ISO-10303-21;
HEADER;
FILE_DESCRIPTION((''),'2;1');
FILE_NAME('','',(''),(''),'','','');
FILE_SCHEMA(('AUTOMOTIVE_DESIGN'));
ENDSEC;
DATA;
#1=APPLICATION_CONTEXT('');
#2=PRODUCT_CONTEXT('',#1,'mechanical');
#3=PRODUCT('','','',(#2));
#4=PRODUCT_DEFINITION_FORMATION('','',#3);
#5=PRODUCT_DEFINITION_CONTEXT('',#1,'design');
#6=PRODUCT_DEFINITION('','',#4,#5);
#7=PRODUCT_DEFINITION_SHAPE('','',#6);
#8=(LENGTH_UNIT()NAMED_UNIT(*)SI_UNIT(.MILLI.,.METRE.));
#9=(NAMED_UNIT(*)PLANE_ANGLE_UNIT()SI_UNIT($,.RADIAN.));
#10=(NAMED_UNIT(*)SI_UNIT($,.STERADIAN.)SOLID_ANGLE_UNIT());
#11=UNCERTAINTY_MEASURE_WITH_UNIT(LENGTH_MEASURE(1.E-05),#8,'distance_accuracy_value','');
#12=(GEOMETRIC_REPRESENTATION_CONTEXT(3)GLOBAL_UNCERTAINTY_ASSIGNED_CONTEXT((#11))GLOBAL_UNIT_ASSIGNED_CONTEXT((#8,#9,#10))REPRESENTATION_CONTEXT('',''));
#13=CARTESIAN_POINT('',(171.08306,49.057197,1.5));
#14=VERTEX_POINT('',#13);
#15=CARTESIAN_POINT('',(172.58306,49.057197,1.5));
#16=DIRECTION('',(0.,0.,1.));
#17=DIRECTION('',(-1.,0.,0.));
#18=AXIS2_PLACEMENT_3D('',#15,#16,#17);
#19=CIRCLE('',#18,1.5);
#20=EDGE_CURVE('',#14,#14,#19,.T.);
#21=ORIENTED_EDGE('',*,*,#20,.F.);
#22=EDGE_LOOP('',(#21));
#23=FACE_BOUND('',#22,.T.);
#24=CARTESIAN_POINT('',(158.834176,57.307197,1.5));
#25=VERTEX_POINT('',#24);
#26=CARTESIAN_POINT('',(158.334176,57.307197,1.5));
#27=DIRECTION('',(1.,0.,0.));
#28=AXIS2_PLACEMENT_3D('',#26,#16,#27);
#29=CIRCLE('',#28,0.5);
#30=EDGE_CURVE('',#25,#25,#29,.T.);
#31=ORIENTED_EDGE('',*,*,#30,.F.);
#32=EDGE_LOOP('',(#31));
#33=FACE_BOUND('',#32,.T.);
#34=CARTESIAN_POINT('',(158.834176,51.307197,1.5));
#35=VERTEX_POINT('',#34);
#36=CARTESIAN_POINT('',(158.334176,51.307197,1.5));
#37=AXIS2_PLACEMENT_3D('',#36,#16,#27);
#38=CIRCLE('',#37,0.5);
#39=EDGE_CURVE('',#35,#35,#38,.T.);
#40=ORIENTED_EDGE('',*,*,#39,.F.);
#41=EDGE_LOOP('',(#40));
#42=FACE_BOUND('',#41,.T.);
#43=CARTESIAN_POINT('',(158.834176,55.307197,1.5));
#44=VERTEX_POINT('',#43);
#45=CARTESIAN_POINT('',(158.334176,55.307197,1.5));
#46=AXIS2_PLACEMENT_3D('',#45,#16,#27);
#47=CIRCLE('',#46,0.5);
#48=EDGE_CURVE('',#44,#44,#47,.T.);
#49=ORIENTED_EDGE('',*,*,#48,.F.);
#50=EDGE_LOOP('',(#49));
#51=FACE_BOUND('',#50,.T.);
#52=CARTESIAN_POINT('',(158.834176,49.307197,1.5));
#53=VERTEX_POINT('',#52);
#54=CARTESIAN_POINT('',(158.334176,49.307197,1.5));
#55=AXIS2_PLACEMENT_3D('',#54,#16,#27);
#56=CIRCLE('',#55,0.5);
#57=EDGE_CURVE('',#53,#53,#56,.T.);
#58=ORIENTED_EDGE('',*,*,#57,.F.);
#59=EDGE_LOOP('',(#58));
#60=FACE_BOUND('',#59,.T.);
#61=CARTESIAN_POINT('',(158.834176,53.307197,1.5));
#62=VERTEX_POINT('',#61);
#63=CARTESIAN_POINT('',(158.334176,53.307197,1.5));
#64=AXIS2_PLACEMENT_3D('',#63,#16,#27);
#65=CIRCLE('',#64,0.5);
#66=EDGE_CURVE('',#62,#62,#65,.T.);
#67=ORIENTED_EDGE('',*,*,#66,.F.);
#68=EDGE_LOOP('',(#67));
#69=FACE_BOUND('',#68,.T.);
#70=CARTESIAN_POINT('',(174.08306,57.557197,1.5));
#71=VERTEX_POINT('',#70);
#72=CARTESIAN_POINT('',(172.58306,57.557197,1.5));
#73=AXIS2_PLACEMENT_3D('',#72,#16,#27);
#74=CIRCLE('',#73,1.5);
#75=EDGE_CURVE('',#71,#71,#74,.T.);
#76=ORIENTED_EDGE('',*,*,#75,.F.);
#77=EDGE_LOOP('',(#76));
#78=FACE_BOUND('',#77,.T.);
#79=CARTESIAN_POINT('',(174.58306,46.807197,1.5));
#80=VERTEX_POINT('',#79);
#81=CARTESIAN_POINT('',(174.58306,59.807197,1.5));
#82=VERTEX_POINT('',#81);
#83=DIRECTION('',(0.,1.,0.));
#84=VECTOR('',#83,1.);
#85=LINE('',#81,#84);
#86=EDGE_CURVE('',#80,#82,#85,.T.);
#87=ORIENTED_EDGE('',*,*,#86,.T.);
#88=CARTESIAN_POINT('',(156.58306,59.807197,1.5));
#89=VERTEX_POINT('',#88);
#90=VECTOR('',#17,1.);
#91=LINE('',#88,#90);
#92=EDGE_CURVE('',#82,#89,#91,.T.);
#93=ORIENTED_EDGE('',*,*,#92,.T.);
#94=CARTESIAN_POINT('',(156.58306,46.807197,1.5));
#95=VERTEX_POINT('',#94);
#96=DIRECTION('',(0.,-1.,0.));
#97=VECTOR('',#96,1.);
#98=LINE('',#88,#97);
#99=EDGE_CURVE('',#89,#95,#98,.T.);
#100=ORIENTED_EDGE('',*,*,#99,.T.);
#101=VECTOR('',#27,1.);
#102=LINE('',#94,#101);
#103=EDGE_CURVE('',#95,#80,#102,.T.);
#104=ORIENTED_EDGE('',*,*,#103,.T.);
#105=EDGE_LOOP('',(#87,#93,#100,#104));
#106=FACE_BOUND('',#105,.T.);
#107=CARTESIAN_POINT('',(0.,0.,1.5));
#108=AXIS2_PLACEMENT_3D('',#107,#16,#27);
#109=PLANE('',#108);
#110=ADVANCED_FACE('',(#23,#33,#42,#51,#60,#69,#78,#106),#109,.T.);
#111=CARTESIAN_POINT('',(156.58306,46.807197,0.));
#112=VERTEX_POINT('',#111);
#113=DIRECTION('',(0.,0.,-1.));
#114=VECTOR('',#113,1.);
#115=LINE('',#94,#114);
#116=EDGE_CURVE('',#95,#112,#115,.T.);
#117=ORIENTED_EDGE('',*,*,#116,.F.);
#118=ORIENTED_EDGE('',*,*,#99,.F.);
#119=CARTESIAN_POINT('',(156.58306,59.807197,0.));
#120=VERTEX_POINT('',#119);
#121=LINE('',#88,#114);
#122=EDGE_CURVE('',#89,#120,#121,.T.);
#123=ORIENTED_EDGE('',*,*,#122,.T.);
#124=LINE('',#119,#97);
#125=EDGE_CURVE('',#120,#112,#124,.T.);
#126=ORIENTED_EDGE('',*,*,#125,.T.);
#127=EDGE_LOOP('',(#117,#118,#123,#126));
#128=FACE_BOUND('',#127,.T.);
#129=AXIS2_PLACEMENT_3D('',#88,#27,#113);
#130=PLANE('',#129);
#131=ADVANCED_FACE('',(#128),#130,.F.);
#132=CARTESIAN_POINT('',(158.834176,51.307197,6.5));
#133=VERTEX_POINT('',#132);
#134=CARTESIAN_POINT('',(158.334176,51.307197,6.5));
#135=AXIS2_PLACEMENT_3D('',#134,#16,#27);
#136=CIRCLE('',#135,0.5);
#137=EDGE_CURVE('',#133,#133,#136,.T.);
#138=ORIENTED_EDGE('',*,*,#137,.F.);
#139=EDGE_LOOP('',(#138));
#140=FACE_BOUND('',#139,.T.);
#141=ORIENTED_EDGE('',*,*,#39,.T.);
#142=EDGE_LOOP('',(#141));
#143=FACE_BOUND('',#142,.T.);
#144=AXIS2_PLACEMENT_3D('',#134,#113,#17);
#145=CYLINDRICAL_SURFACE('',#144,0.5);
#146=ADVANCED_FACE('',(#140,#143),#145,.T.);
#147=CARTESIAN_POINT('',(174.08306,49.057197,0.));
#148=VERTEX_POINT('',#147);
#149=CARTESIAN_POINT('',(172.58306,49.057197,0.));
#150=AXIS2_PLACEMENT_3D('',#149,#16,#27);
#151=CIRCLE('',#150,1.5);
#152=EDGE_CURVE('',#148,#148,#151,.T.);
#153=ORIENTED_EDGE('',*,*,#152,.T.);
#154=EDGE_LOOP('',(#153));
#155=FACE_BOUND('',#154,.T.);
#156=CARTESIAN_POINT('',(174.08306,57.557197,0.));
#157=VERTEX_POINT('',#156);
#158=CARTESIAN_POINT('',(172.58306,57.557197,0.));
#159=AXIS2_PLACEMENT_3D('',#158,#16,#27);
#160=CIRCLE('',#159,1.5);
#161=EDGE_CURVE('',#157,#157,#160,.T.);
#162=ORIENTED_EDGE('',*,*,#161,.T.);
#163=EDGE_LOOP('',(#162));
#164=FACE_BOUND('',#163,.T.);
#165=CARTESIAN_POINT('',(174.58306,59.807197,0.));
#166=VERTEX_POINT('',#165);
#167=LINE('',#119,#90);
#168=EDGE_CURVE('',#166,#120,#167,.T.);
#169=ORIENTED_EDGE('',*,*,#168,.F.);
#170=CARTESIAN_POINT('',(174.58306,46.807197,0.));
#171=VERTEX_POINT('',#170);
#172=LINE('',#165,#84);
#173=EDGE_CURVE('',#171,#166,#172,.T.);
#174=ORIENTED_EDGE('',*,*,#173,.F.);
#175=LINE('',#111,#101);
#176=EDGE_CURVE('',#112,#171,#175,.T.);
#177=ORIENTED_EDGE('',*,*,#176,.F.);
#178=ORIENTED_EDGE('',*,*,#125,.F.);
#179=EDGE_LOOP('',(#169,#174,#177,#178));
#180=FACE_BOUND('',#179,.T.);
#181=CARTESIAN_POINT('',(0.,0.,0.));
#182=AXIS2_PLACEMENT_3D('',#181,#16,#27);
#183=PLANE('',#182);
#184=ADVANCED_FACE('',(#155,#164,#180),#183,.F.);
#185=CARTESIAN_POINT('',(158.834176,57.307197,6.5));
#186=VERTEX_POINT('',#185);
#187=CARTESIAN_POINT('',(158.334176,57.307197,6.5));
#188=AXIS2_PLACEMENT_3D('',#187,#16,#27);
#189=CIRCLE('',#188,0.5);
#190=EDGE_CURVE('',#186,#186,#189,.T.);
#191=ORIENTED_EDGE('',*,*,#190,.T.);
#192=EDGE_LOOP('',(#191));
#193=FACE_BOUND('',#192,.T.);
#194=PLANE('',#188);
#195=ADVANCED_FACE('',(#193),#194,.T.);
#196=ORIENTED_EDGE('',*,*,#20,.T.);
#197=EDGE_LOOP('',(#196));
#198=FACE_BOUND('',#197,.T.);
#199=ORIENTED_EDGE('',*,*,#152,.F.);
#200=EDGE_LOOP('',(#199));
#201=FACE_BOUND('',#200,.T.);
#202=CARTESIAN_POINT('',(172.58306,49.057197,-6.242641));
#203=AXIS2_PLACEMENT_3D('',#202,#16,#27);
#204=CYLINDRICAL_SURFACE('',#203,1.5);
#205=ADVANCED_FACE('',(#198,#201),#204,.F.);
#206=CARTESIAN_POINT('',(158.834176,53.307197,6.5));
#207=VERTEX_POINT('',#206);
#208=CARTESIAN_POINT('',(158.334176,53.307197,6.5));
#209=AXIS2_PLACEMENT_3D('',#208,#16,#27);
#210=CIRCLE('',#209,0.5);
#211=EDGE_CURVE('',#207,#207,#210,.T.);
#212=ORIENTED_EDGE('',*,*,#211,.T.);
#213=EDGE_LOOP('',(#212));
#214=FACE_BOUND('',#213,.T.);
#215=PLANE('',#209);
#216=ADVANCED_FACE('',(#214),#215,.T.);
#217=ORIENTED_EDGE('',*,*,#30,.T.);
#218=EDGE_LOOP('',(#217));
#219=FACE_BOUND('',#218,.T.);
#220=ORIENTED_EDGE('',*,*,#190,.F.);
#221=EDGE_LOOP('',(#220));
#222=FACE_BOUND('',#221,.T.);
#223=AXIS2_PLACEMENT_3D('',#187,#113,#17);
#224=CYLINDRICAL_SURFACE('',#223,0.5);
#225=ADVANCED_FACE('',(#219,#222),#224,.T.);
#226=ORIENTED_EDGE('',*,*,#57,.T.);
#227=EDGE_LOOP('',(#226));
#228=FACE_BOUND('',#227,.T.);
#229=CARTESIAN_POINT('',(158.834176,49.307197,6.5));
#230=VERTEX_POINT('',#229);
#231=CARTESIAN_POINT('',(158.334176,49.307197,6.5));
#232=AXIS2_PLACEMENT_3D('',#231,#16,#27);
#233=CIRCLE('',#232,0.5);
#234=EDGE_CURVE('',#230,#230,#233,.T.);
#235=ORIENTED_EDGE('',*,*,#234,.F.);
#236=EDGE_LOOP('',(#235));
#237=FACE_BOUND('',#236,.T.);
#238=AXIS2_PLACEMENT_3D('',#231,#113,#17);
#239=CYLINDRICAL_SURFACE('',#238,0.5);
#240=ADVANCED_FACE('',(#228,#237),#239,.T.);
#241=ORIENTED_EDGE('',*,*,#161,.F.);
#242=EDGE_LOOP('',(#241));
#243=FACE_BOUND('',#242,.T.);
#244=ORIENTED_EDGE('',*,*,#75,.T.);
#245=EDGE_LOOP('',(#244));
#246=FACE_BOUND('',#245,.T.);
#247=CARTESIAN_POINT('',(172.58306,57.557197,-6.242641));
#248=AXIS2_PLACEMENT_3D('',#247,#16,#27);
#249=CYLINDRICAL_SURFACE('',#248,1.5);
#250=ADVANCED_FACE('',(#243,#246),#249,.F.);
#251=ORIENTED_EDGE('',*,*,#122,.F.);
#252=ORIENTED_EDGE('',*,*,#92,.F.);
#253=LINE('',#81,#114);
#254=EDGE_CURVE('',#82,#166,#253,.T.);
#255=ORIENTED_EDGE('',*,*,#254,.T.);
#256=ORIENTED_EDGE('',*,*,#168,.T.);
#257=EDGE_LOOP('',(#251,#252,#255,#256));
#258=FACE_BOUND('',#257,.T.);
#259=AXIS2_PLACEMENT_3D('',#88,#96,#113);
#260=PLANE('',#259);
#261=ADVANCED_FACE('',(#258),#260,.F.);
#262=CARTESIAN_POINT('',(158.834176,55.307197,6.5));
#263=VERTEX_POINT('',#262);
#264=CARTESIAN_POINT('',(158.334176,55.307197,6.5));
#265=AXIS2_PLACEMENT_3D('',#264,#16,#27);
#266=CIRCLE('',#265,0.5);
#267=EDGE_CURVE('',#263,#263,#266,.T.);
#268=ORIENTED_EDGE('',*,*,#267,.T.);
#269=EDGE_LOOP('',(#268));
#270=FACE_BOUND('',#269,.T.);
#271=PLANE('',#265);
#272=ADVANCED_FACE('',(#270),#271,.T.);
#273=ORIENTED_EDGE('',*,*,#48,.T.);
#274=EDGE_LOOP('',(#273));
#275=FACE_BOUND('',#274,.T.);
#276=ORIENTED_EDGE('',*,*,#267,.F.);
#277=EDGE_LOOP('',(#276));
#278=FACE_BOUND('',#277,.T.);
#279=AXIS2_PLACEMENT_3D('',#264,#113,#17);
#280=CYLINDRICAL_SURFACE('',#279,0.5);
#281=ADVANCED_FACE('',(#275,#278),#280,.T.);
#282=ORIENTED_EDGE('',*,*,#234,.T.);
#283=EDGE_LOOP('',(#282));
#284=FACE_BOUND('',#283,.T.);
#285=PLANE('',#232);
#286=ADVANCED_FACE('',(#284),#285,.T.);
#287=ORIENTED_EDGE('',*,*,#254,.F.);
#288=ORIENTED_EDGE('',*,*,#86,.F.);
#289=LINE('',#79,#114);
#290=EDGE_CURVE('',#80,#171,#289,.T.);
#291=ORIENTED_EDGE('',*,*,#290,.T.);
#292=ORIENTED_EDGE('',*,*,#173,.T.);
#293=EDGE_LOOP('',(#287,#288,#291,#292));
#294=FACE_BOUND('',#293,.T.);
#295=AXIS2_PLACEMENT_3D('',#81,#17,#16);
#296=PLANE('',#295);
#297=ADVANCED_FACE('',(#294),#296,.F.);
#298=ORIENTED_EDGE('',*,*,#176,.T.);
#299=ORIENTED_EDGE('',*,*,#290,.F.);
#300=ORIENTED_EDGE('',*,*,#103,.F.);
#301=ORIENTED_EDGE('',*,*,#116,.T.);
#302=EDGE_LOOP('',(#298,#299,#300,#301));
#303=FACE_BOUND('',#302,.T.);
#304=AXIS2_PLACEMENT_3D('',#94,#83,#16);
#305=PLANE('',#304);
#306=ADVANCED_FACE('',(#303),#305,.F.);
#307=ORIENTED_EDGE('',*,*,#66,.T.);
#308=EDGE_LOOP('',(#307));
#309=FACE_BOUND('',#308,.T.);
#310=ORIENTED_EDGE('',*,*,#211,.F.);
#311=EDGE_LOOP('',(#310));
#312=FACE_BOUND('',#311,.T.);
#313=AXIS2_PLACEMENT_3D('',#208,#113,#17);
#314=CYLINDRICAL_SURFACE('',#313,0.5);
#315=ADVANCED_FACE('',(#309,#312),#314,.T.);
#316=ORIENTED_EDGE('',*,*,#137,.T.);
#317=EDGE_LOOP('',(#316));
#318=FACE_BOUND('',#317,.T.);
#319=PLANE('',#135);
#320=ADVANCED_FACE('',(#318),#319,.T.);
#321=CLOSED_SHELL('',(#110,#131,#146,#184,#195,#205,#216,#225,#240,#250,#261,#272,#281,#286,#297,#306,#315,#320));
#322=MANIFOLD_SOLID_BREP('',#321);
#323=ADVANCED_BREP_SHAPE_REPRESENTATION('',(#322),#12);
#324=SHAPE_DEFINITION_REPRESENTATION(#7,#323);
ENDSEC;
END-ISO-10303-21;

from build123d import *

# Parameters (mm, degrees)
SKETCH1_W           = 18
SKETCH1_H           = 13
BOSS_EXTRUDE1_DEPTH = 1.5
SKETCH2_R           = 0.5
BOSS_EXTRUDE2_DEPTH = 5
CUT_EXTRUDE1_REACH  = 3.5
SKETCH3_R           = 1.5


with BuildPart() as part:
    # Sketch1 → Boss-Extrude1 (new body)
    with BuildSketch(Plane.XY):
        with Locations((165.583059714, 53.307197022)):
            Rectangle(SKETCH1_W, SKETCH1_H)
    extrude(amount=BOSS_EXTRUDE1_DEPTH)

    # Sketch2 → Boss-Extrude2 (add)
    with BuildSketch(Plane.XY.offset(1.5)):
        with Locations((158.334176002, 53.307197022)):
            Circle(SKETCH2_R)
        with Locations((158.334176002, 55.307197022)):
            Circle(SKETCH2_R)
        with Locations((158.334176002, 57.307197022)):
            Circle(SKETCH2_R)
        with Locations((158.334176002, 51.307197022)):
            Circle(SKETCH2_R)
        with Locations((158.334176002, 49.307197022)):
            Circle(SKETCH2_R)
    extrude(amount=BOSS_EXTRUDE2_DEPTH)

    # Sketch3 → Cut-Extrude1 (cut, up to next)
    with BuildSketch(Plane.XY.offset(1.5), mode=Mode.PRIVATE) as cut_extrude1_sk1:
        with Locations((172.583059714, 57.557197022)):
            Circle(SKETCH3_R)
    cut_extrude1_tool1 = extrude(cut_extrude1_sk1.sketch, amount=-CUT_EXTRUDE1_REACH, mode=Mode.PRIVATE) & part.part
    add(cut_extrude1_tool1.solids().sort_by_distance((172.58306, 57.557197, 1.5))[0], mode=Mode.SUBTRACT)
    # Sketch3 → Cut-Extrude1 (cut, up to next)
    with BuildSketch(Plane.XY.offset(1.5), mode=Mode.PRIVATE) as cut_extrude1_sk2:
        with Locations((172.583059714, 49.057197022)):
            Circle(SKETCH3_R)
    cut_extrude1_tool2 = extrude(cut_extrude1_sk2.sketch, amount=-CUT_EXTRUDE1_REACH, mode=Mode.PRIVATE) & part.part
    add(cut_extrude1_tool2.solids().sort_by_distance((172.58306, 49.057197, 1.5))[0], mode=Mode.SUBTRACT)


solid = part.part
